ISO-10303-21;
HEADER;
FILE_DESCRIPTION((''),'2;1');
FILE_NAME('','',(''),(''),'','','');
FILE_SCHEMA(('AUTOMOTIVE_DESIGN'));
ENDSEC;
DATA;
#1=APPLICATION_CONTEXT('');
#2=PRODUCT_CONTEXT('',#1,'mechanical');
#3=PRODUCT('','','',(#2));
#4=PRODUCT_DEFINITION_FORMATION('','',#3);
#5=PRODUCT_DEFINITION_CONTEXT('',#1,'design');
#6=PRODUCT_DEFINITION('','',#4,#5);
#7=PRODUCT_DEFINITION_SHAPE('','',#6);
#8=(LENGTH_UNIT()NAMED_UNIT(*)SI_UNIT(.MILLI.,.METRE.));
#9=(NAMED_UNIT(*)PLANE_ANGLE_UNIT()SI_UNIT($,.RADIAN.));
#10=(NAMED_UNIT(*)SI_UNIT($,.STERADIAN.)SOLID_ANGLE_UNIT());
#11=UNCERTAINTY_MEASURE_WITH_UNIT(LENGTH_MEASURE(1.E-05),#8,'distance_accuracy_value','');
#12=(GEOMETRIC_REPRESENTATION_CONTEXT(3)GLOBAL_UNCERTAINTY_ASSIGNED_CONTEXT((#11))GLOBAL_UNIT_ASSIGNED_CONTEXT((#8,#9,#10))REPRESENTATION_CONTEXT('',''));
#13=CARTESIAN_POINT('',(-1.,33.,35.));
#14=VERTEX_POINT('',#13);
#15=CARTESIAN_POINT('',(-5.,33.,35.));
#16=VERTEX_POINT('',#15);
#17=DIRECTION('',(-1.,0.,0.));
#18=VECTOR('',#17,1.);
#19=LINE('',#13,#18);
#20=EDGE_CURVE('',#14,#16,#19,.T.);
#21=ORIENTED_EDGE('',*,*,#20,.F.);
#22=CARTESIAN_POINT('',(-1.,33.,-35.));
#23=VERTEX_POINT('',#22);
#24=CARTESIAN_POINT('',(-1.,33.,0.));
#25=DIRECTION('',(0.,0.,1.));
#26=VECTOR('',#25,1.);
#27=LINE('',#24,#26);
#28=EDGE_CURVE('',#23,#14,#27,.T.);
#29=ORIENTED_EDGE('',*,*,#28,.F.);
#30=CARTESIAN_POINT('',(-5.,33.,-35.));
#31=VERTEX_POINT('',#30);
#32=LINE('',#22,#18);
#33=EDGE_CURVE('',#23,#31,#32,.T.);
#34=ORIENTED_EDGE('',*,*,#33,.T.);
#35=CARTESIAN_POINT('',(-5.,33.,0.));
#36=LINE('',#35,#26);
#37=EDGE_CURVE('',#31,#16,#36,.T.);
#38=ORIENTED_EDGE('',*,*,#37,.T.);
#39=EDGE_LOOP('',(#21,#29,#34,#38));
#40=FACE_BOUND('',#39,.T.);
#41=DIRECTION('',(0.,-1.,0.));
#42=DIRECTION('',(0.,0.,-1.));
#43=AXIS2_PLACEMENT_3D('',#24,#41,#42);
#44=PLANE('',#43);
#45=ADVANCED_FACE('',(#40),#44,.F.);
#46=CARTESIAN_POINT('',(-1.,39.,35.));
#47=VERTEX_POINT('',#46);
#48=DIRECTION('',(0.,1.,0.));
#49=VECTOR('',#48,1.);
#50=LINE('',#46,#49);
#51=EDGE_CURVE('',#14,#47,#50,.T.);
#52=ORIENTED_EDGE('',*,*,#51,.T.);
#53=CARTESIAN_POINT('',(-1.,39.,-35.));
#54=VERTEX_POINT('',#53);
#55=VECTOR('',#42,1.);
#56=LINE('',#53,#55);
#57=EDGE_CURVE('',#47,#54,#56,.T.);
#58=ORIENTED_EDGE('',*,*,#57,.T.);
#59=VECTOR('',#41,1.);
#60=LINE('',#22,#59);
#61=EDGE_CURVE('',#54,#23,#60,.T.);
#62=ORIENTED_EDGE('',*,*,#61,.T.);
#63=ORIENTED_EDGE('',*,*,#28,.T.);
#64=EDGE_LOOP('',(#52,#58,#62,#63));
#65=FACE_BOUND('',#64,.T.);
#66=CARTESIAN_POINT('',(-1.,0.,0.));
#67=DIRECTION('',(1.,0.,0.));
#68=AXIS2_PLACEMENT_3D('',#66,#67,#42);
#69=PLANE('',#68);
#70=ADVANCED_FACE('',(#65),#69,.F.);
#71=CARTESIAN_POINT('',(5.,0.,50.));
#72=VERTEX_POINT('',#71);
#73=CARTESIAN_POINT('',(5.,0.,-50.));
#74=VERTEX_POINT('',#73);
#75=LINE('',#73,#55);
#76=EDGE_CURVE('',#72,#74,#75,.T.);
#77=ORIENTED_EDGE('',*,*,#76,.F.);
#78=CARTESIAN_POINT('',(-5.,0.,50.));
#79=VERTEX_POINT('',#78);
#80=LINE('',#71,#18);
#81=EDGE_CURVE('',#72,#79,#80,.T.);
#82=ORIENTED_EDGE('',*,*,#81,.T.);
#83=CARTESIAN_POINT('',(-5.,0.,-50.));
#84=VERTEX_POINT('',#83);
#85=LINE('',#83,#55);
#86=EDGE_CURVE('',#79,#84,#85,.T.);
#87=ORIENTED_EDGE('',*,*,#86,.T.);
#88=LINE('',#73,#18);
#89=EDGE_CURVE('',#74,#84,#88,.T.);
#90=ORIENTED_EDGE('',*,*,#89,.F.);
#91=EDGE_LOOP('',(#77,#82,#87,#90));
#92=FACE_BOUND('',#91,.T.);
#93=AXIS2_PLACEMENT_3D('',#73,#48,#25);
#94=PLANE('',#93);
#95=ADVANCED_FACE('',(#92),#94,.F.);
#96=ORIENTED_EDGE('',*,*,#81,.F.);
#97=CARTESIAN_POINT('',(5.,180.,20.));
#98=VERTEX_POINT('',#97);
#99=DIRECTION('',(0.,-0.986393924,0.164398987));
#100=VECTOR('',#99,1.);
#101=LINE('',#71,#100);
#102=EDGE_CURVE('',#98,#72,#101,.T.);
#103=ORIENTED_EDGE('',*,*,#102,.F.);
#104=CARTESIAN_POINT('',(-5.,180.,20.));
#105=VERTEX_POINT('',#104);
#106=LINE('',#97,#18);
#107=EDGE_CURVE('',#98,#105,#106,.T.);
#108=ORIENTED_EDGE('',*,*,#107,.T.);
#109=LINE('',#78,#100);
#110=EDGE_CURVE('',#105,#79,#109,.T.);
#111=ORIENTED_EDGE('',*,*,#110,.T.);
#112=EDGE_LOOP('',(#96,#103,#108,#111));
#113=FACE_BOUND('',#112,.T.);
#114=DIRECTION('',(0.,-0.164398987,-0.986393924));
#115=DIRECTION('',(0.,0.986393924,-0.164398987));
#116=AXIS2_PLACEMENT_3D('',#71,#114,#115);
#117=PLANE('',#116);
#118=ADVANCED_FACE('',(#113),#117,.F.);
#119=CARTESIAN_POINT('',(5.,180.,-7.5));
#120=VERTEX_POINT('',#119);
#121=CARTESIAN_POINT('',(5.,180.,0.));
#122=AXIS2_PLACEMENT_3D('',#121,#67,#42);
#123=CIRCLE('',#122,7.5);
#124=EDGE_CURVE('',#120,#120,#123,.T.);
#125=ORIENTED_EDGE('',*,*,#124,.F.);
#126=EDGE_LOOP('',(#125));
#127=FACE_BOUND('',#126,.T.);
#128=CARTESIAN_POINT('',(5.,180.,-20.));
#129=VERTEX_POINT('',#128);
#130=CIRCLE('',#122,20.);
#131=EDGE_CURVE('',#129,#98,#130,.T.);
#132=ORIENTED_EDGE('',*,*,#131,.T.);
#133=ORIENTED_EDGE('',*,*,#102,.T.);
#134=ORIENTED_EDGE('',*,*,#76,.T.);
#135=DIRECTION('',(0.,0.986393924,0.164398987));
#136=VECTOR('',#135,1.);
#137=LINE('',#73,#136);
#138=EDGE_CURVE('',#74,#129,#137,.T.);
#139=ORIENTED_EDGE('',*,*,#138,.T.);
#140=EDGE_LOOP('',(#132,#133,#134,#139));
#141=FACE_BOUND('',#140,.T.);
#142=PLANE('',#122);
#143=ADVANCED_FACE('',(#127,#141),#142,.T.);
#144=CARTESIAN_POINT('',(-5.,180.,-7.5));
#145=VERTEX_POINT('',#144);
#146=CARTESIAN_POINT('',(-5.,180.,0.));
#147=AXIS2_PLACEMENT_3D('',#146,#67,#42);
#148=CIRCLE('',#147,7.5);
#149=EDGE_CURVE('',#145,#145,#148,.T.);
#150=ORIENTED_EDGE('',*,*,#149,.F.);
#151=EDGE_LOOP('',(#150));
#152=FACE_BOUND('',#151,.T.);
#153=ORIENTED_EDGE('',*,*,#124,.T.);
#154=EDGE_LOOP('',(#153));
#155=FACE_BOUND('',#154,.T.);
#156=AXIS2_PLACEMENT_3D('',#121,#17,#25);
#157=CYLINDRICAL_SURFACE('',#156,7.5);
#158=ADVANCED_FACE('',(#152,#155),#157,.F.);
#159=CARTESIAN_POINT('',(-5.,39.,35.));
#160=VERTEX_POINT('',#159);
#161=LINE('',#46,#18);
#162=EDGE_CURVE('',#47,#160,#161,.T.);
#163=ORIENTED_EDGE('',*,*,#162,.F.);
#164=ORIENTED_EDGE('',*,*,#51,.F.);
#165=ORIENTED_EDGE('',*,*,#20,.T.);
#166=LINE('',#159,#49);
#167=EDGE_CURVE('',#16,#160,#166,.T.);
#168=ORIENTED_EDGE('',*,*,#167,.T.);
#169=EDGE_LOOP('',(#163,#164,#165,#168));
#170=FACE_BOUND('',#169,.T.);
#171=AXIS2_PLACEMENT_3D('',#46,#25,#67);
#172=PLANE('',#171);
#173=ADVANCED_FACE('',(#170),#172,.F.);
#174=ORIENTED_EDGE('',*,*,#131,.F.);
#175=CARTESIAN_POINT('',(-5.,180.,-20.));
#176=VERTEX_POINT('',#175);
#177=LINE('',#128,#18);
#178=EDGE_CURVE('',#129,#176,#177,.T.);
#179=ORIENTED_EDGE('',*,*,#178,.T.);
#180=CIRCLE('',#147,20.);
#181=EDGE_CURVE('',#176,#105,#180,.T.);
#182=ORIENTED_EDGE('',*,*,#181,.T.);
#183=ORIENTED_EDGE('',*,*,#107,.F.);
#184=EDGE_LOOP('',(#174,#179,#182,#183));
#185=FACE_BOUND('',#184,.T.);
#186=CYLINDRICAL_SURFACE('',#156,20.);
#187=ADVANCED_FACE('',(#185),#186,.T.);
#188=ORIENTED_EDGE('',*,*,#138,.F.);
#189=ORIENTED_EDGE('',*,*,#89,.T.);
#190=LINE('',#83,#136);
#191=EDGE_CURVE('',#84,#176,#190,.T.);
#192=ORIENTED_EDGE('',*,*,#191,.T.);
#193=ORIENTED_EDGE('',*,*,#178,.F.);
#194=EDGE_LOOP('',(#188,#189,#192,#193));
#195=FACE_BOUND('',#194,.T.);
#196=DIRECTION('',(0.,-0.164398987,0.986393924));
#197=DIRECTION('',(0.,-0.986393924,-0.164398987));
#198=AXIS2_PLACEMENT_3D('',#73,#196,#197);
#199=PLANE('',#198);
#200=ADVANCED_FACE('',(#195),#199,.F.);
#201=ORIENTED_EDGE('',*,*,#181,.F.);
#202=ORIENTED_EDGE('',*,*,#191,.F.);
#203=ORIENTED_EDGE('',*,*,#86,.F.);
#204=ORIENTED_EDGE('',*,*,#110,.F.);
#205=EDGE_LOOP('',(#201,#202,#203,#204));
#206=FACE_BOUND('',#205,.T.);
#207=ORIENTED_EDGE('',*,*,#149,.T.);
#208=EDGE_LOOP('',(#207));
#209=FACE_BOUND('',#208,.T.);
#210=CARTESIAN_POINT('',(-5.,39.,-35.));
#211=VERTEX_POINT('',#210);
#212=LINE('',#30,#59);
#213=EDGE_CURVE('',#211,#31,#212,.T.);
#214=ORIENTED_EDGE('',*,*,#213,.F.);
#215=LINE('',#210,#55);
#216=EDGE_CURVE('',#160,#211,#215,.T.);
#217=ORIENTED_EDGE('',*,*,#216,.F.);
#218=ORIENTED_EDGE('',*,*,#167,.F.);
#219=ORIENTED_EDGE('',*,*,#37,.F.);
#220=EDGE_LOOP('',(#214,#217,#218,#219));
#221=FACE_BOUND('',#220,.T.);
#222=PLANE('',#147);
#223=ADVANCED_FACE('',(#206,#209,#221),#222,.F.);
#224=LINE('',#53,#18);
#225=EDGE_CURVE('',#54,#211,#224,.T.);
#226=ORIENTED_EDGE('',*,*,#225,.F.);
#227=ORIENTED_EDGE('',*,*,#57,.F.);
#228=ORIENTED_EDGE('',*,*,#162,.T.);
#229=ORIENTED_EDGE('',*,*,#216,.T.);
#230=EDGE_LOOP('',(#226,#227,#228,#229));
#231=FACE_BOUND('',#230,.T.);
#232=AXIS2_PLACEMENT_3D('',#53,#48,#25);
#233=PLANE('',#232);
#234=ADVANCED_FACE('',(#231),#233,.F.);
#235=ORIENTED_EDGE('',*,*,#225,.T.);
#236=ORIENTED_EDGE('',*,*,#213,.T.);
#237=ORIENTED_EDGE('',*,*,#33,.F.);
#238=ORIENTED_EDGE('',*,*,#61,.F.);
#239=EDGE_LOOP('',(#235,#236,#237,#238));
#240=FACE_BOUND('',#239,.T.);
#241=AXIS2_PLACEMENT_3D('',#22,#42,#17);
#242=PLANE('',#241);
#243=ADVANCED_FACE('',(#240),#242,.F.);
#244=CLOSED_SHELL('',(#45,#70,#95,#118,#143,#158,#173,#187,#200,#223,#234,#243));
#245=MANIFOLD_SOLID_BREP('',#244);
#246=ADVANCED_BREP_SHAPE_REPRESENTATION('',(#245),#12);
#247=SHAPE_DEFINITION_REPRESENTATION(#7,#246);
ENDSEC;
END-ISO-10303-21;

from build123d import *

# Parameters (mm, degrees)
SKETCH2_R           = 7.5
BOSS_EXTRUDE1_DEPTH = 5
CUT_EXTRUDE1_DEPTH  = 4


with BuildPart() as part:
    # Sketch2 → Boss-Extrude1 (new, symmetric)
    with BuildSketch(Plane(origin=(0, 0, 0), x_dir=(0, 0, -1), z_dir=(1, 0, 0))):
        with BuildLine():
            Line((50, 0), (-50, 0))
            Line((-50, 0), (-20, 180))
            ThreePointArc((-20, 180), (0, 200), (20, 180))
            Line((20, 180), (50, 0))
        make_face()
        with Locations((0, 180)):
            Circle(SKETCH2_R, mode=Mode.SUBTRACT)
    extrude(amount=BOSS_EXTRUDE1_DEPTH, both=True)

    # Sketch3 → Cut-Extrude1 (cut)
    with BuildSketch(Plane.ZY.offset(5)):
        Polygon((0, 33), (-35, 33), (-35, 39), (35, 39), (35, 33), align=None)
    extrude(amount=-CUT_EXTRUDE1_DEPTH, mode=Mode.SUBTRACT)


solid = part.part
